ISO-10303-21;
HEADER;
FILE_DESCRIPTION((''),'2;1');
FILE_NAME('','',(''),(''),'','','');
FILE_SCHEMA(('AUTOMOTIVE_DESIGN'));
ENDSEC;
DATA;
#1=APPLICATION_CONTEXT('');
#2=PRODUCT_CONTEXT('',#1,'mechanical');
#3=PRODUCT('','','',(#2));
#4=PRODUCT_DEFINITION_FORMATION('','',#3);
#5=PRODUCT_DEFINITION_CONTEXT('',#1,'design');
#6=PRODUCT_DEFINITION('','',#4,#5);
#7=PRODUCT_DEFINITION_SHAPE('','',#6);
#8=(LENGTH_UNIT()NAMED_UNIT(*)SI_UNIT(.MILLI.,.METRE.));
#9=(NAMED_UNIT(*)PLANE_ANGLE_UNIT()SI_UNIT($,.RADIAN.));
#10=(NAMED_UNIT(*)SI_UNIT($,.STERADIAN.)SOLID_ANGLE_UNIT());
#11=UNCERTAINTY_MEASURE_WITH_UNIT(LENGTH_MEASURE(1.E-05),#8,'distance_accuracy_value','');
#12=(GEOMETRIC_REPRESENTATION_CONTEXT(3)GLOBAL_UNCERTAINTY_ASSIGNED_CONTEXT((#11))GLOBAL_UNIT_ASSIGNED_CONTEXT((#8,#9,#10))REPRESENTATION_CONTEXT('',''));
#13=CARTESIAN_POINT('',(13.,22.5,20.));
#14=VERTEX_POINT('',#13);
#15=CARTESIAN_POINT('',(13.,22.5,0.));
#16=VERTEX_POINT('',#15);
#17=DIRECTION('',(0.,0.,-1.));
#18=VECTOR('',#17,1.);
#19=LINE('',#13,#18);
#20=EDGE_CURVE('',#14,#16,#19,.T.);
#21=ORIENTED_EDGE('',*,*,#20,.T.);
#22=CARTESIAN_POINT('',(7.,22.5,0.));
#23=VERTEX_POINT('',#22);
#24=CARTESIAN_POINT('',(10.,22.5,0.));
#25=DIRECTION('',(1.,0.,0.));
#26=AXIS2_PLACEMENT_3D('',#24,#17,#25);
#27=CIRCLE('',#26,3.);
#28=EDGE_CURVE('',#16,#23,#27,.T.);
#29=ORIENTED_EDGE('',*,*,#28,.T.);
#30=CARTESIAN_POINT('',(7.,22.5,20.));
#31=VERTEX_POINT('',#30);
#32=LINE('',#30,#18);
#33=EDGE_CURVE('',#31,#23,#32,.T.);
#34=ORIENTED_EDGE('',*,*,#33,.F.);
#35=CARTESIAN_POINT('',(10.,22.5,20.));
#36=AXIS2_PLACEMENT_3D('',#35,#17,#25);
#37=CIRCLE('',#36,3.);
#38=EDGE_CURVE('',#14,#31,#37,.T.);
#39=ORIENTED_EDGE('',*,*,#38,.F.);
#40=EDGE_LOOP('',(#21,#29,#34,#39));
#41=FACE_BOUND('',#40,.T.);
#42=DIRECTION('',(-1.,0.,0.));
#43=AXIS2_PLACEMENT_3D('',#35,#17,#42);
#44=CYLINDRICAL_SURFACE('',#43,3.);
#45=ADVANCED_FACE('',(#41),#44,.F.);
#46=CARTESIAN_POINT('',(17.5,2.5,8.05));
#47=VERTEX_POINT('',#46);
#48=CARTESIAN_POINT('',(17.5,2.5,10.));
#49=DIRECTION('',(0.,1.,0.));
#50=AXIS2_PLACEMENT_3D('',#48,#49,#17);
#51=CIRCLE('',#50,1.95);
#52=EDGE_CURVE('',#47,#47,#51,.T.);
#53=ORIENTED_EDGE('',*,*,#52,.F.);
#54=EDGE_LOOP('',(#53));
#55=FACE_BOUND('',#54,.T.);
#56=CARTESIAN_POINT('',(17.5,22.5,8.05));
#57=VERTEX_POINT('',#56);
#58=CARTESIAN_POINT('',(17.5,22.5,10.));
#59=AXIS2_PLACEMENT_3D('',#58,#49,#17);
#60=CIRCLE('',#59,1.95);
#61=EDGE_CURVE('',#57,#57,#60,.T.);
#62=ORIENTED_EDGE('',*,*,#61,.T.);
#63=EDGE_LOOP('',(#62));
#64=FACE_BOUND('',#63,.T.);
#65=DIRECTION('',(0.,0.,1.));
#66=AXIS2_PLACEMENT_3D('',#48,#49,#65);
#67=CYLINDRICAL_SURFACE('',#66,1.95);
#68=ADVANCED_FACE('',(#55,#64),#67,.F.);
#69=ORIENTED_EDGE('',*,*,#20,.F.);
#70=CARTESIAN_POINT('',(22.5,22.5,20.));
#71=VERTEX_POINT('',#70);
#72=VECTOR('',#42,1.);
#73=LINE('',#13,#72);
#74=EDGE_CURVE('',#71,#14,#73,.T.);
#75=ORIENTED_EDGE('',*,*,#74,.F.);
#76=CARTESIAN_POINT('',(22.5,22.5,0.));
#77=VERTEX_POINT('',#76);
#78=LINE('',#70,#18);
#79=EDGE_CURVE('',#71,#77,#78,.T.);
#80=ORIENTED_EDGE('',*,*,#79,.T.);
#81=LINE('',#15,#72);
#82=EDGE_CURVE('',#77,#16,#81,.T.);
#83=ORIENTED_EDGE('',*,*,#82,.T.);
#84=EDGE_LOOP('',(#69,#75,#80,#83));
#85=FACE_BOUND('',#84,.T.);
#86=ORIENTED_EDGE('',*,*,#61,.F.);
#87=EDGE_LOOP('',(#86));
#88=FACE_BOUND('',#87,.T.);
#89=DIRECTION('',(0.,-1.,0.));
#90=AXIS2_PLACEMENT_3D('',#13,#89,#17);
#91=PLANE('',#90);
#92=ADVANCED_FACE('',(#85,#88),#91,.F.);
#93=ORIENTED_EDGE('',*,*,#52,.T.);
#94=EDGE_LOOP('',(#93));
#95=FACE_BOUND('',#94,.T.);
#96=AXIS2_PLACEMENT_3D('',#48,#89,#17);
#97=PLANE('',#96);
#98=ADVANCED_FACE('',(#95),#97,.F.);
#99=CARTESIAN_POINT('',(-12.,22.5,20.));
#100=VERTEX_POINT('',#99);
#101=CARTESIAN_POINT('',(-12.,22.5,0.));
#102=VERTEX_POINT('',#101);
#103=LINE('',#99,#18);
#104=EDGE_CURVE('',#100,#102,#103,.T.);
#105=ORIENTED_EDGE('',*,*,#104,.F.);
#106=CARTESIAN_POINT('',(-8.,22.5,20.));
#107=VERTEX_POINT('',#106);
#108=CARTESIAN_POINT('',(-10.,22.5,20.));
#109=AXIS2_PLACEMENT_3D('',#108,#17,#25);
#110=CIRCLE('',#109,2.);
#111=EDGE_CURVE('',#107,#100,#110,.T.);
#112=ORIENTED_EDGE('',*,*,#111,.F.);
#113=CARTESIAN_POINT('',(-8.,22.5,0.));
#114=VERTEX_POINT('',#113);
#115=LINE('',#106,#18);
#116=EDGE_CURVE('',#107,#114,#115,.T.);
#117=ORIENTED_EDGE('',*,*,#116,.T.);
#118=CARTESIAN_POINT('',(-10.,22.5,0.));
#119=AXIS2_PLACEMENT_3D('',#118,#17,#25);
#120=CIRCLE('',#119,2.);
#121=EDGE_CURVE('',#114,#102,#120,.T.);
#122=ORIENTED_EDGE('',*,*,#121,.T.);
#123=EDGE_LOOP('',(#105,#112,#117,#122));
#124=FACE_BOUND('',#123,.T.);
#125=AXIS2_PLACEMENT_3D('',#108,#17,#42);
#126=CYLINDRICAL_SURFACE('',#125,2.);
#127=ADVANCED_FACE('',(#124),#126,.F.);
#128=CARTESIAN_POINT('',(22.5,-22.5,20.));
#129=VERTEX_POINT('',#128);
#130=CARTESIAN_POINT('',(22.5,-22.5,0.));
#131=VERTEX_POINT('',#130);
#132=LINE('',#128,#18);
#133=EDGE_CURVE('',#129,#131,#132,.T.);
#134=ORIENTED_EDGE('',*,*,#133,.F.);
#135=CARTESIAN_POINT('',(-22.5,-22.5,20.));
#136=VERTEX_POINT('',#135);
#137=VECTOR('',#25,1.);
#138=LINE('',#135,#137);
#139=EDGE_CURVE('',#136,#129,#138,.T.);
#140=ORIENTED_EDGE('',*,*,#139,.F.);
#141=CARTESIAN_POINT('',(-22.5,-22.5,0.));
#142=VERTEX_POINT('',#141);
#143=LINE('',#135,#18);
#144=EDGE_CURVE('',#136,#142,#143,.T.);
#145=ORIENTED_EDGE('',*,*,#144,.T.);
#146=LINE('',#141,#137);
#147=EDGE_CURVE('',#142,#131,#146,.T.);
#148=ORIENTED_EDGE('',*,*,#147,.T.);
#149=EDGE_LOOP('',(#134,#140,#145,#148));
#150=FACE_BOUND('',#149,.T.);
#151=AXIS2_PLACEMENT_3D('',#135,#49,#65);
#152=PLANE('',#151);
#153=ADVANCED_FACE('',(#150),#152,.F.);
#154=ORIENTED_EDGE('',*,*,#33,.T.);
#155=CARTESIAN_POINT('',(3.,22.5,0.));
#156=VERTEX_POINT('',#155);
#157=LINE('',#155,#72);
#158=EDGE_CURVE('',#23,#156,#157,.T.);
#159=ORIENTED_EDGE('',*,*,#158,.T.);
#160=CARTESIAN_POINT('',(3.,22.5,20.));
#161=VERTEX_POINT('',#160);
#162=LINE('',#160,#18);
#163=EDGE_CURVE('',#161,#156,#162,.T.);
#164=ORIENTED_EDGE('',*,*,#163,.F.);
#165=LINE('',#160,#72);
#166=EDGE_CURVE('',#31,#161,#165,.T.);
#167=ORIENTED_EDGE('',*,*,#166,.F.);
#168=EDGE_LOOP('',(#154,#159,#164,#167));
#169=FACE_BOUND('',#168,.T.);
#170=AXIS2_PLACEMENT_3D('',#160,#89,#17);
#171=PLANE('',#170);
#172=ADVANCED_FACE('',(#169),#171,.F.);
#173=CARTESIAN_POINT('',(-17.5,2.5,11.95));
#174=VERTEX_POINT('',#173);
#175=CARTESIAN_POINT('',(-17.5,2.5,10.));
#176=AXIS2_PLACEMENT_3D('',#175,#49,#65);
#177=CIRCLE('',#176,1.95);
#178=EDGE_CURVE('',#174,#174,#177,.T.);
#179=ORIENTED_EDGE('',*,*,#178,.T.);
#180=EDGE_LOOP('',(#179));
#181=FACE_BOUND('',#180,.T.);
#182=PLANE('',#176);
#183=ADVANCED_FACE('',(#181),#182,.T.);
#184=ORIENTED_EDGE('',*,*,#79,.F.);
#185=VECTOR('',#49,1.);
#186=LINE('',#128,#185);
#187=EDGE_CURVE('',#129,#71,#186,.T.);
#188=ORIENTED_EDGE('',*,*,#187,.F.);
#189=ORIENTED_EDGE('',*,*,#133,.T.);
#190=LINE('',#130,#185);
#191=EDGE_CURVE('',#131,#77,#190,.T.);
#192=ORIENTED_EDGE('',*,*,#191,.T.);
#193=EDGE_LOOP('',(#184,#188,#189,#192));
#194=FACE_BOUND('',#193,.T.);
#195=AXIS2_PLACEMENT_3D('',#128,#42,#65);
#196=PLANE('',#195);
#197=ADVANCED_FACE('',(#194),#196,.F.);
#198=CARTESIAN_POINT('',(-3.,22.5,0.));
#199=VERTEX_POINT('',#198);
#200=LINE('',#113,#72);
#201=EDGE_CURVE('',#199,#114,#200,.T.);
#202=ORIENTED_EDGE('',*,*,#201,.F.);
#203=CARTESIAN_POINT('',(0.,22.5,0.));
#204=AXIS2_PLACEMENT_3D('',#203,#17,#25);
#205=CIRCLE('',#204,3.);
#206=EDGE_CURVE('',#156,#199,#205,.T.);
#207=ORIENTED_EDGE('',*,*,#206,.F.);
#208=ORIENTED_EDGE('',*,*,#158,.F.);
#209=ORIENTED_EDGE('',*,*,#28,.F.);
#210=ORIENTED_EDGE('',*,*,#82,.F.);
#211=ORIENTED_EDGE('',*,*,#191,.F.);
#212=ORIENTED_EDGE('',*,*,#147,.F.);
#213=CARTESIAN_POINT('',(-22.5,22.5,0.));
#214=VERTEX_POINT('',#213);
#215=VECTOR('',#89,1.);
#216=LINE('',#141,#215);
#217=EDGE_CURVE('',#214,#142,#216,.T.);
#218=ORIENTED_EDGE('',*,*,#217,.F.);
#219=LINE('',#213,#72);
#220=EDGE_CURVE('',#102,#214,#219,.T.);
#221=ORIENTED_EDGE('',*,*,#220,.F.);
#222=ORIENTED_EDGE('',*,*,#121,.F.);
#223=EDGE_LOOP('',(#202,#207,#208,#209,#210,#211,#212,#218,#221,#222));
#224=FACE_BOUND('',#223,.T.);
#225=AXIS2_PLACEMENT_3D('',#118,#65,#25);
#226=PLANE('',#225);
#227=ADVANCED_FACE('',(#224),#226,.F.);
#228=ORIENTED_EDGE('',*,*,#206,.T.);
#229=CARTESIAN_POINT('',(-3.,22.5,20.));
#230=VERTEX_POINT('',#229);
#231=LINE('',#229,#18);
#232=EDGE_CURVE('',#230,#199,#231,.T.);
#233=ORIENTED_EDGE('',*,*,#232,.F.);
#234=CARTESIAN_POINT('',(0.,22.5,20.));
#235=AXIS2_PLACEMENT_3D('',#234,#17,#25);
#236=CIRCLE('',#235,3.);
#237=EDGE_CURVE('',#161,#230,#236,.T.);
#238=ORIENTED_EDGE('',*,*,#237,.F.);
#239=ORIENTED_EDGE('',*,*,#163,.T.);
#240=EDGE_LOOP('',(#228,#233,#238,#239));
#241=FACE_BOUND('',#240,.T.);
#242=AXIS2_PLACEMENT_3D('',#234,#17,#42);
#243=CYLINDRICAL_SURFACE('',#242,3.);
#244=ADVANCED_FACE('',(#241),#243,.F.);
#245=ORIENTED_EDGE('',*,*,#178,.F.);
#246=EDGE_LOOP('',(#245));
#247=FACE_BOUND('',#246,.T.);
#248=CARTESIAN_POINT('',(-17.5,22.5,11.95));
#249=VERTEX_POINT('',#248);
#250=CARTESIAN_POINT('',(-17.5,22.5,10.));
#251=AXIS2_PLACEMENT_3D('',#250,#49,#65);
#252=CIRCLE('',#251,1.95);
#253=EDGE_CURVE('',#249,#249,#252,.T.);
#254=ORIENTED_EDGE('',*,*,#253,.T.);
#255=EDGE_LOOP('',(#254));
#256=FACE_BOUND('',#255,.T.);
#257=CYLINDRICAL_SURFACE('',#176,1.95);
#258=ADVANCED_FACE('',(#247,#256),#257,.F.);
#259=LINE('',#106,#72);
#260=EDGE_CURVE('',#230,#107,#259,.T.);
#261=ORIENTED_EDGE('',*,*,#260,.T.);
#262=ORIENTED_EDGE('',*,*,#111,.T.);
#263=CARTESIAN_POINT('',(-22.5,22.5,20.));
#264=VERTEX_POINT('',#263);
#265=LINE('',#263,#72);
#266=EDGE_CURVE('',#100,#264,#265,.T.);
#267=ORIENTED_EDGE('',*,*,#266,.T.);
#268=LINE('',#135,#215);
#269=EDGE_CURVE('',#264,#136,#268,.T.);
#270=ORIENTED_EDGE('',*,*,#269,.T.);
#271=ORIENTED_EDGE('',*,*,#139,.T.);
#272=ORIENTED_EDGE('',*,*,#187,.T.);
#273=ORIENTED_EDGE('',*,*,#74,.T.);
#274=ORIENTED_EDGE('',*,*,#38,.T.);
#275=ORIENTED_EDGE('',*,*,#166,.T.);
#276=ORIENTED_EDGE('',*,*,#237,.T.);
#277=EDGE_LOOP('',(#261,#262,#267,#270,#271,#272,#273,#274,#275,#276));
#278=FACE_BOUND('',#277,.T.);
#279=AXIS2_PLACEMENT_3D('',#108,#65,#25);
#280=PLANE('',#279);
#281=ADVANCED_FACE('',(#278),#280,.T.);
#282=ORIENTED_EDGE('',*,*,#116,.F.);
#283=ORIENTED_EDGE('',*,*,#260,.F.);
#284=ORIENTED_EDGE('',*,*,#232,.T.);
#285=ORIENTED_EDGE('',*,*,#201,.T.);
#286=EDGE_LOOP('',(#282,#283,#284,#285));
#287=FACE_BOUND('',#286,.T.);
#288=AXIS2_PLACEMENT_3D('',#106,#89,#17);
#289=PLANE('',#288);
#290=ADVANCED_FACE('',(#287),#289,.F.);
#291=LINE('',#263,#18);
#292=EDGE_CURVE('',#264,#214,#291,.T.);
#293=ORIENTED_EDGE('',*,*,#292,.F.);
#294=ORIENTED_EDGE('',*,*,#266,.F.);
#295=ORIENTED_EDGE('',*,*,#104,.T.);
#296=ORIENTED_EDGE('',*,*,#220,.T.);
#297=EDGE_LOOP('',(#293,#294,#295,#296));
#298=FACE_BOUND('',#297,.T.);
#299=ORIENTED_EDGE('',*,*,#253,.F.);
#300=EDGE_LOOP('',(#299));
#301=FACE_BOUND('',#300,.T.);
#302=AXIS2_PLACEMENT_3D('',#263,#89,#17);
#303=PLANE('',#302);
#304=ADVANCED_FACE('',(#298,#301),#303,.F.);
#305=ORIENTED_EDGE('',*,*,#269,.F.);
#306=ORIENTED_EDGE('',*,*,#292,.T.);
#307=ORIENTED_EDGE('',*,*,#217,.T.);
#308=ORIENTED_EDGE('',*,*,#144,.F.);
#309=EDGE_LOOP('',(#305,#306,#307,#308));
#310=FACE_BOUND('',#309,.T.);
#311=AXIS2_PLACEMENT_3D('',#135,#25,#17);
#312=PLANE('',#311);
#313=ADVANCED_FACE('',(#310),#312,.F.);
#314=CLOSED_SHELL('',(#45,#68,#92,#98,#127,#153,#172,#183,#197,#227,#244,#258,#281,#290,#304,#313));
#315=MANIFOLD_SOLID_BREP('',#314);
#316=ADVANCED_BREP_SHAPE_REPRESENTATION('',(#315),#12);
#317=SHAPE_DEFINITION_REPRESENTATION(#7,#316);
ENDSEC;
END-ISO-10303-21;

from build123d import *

# Parameters (mm, degrees)
BOSS_EXTRUDE1_DEPTH = 20
SKETCH2_R           = 1.95
CUT_EXTRUDE1_DEPTH  = 20


with BuildPart() as part:
    # Sketch1 → Boss-Extrude1 (new body)
    with BuildSketch(Plane.XY):
        with BuildLine():
            Line((-22.5, -22.5), (22.5, -22.5))
            Line((22.5, -22.5), (22.5, 22.5))
            Line((22.5, 22.5), (13, 22.5))
            ThreePointArc((13, 22.5), (10, 19.5), (7, 22.5))
            Line((7, 22.5), (3, 22.5))
            ThreePointArc((3, 22.5), (0, 19.5), (-3, 22.5))
            Line((-3, 22.5), (-8, 22.5))
            ThreePointArc((-8, 22.5), (-10, 20.5), (-12, 22.5))
            Line((-12, 22.5), (-22.5, 22.5))
            Line((-22.5, 22.5), (-22.5, -22.5))
        make_face()
    extrude(amount=BOSS_EXTRUDE1_DEPTH)

    # Sketch2 → Cut-Extrude1 (cut)
    with BuildSketch(Plane(origin=(0, 22.5, 0), x_dir=(1, 0, 0), z_dir=(0, 1, 0))):
        with Locations((-17.5, -10)):
            Circle(SKETCH2_R)
        with Locations((17.5, -10)):
            Circle(SKETCH2_R)
    extrude(amount=-CUT_EXTRUDE1_DEPTH, mode=Mode.SUBTRACT)


solid = part.part
